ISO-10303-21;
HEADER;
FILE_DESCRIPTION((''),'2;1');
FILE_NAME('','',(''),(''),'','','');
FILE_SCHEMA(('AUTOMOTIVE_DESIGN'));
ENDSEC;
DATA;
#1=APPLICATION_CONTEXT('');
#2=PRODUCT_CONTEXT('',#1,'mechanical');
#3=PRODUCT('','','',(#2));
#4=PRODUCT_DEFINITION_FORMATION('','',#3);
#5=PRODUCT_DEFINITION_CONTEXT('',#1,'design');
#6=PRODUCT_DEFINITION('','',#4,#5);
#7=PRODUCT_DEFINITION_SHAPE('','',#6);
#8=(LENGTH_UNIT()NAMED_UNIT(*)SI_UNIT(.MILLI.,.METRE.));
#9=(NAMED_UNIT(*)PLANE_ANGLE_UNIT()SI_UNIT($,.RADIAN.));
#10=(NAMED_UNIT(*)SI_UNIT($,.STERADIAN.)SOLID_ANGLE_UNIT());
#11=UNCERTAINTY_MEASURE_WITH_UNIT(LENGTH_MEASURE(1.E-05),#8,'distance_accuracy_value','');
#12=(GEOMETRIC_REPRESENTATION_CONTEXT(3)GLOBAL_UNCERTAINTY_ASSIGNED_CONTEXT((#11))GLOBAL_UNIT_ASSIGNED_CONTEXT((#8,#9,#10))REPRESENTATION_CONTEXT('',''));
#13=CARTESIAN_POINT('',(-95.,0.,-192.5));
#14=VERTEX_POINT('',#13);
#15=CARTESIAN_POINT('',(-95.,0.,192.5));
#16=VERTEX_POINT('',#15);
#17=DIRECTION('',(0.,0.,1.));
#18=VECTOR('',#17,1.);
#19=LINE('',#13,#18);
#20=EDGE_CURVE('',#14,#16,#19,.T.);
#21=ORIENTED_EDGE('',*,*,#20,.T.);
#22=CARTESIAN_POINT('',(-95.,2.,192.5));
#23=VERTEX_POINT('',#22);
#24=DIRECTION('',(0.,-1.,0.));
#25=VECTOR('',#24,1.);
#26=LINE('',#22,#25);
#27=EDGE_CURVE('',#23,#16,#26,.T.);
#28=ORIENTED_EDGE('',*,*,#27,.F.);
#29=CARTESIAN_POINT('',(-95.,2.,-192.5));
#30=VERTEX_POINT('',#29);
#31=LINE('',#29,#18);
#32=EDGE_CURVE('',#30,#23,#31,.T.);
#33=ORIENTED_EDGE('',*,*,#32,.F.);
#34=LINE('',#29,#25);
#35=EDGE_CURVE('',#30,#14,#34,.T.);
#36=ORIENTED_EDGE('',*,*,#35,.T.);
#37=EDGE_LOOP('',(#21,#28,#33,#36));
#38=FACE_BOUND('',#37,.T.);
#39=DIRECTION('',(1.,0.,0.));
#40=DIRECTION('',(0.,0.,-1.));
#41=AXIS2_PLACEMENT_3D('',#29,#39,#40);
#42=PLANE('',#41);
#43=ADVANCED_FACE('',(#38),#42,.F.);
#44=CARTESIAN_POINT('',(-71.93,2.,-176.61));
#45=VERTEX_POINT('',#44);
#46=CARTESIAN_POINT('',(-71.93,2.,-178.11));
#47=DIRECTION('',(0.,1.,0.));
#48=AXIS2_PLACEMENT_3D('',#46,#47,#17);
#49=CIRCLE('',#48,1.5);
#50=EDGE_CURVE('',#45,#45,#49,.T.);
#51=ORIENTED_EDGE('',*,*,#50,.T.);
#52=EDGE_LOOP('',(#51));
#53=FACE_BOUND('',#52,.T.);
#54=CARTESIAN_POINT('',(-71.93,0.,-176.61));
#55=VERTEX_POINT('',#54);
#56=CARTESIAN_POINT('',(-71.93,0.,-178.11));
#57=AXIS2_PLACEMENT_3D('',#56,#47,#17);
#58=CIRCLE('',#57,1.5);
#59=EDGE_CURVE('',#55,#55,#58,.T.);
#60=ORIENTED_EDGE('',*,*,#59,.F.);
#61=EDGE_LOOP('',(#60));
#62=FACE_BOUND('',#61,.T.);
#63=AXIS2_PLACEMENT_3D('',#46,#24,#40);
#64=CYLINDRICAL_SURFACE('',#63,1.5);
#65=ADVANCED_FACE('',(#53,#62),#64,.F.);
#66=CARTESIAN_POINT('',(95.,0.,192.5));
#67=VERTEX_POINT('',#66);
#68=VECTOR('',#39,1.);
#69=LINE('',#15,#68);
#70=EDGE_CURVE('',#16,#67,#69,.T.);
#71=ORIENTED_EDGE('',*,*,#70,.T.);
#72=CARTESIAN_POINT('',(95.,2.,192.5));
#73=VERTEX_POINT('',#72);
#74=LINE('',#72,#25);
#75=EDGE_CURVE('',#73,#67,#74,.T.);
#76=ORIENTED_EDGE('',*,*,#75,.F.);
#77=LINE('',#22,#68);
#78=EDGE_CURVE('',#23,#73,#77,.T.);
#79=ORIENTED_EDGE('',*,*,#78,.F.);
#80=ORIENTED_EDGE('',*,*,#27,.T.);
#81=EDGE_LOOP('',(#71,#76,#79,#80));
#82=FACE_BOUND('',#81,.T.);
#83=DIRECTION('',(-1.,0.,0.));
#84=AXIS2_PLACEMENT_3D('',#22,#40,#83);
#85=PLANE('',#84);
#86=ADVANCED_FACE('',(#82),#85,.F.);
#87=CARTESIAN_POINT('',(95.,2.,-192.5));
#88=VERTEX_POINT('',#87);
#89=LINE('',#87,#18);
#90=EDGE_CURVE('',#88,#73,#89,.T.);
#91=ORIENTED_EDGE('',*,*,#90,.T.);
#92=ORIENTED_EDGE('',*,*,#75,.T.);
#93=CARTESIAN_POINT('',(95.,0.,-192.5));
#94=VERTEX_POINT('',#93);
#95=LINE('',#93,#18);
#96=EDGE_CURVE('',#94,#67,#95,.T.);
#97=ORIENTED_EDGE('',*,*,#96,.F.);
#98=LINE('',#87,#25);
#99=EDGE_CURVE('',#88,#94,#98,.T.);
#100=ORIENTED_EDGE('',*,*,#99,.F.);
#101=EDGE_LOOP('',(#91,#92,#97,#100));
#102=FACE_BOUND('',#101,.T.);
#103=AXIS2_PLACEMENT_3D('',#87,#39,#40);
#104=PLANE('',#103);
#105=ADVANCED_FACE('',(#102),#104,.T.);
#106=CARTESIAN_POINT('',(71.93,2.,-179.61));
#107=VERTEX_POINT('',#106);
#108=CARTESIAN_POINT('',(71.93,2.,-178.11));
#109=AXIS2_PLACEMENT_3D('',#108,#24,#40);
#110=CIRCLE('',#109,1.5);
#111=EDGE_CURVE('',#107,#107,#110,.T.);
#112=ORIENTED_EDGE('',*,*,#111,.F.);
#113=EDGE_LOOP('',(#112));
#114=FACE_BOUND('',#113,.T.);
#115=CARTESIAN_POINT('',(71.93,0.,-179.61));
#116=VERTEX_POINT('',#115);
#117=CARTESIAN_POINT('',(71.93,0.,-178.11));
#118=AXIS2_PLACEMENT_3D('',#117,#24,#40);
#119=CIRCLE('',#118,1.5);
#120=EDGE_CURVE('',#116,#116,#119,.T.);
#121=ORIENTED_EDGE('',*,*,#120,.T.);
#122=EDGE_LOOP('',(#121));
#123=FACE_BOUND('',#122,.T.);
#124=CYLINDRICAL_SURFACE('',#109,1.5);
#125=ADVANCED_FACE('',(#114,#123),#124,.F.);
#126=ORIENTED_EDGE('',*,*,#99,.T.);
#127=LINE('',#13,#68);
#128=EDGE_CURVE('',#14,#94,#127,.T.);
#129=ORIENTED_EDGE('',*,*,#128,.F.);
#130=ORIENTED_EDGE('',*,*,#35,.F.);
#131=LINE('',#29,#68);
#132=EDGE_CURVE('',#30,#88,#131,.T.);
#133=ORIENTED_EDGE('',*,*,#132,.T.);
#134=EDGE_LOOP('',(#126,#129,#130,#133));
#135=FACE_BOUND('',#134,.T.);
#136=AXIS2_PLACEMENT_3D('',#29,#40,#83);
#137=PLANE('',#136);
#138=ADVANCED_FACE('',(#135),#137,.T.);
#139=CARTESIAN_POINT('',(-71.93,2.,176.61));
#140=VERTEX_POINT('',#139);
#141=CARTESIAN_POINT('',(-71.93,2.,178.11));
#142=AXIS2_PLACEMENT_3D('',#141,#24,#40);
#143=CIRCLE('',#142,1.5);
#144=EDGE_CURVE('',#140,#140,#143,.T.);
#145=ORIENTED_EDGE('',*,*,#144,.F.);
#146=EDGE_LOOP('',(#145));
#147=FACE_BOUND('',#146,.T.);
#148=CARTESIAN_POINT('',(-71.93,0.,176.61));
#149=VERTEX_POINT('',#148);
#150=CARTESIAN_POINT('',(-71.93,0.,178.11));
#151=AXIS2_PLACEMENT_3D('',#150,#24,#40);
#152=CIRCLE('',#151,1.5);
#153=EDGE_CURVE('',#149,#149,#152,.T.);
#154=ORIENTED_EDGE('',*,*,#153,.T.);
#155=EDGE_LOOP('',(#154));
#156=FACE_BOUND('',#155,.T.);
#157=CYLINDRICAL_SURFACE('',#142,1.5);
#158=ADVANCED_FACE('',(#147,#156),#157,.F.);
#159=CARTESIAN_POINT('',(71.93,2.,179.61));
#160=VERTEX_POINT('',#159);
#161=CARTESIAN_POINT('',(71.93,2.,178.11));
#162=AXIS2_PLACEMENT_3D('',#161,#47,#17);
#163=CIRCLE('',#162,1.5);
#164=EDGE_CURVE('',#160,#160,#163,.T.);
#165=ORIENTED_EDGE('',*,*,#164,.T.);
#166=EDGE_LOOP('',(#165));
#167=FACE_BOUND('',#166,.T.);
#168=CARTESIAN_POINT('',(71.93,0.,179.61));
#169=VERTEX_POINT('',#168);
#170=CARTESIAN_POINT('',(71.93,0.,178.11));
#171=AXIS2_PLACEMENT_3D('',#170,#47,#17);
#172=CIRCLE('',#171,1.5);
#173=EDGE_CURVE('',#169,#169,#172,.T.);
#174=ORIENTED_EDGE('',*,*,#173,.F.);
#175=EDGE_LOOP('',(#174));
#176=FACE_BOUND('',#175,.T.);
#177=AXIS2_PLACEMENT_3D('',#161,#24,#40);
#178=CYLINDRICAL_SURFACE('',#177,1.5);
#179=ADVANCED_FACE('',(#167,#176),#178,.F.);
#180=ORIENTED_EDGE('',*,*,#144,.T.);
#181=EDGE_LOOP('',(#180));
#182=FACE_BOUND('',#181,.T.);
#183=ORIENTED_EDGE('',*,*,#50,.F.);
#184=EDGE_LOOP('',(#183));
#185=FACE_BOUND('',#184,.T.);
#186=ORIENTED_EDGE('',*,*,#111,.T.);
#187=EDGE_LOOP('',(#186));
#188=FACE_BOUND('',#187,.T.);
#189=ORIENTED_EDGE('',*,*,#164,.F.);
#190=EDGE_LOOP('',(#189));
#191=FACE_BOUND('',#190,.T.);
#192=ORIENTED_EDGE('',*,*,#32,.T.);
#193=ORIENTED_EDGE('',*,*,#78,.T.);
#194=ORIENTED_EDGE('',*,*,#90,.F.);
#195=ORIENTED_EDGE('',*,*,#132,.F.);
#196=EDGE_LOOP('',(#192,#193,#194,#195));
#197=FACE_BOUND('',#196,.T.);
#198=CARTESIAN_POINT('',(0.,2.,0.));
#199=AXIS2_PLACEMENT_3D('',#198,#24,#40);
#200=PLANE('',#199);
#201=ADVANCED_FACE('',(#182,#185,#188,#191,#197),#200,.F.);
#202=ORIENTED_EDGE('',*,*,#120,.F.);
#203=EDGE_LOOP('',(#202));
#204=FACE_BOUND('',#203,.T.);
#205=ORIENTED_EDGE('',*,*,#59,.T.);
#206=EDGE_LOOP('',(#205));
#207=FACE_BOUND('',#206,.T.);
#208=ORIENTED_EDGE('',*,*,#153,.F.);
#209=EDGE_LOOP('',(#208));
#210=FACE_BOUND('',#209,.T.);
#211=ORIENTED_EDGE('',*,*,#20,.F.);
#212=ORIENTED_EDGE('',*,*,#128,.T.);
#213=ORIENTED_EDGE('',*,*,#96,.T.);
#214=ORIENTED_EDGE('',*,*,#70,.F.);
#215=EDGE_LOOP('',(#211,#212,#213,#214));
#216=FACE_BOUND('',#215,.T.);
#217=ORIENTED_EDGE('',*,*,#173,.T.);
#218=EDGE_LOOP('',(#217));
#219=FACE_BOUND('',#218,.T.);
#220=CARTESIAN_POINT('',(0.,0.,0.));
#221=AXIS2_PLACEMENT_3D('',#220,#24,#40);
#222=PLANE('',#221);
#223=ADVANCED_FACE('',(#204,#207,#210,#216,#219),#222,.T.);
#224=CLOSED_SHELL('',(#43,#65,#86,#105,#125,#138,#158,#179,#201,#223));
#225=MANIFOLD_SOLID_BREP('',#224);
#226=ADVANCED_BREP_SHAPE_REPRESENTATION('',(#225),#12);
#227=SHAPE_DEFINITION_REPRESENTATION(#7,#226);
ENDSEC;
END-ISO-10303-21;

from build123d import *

# Parameters (mm, degrees)
SKETCH1_W           = 190
SKETCH1_H           = 385
SKETCH1_R           = 1.5
BOSS_EXTRUDE1_DEPTH = 2


with BuildPart() as part:
    # Sketch1 → Boss-Extrude1 (new body)
    with BuildSketch(Plane(origin=(0, 0, 0), x_dir=(1, 0, 0), z_dir=(0, 1, 0))):
        Rectangle(SKETCH1_W, SKETCH1_H)
        with Locations(Location((-71.93, 178.11, 0), (0, 0, 270))):
            Circle(SKETCH1_R, mode=Mode.SUBTRACT)
        with Locations(Location((71.93, 178.11, 0), (0, 0, 90))):
            Circle(SKETCH1_R, mode=Mode.SUBTRACT)
        with Locations(Location((71.93, -178.11, 0), (0, 0, 270))):
            Circle(SKETCH1_R, mode=Mode.SUBTRACT)
        with Locations(Location((-71.93, -178.11, 0), (0, 0, 90))):
            Circle(SKETCH1_R, mode=Mode.SUBTRACT)
    extrude(amount=BOSS_EXTRUDE1_DEPTH)


solid = part.part
